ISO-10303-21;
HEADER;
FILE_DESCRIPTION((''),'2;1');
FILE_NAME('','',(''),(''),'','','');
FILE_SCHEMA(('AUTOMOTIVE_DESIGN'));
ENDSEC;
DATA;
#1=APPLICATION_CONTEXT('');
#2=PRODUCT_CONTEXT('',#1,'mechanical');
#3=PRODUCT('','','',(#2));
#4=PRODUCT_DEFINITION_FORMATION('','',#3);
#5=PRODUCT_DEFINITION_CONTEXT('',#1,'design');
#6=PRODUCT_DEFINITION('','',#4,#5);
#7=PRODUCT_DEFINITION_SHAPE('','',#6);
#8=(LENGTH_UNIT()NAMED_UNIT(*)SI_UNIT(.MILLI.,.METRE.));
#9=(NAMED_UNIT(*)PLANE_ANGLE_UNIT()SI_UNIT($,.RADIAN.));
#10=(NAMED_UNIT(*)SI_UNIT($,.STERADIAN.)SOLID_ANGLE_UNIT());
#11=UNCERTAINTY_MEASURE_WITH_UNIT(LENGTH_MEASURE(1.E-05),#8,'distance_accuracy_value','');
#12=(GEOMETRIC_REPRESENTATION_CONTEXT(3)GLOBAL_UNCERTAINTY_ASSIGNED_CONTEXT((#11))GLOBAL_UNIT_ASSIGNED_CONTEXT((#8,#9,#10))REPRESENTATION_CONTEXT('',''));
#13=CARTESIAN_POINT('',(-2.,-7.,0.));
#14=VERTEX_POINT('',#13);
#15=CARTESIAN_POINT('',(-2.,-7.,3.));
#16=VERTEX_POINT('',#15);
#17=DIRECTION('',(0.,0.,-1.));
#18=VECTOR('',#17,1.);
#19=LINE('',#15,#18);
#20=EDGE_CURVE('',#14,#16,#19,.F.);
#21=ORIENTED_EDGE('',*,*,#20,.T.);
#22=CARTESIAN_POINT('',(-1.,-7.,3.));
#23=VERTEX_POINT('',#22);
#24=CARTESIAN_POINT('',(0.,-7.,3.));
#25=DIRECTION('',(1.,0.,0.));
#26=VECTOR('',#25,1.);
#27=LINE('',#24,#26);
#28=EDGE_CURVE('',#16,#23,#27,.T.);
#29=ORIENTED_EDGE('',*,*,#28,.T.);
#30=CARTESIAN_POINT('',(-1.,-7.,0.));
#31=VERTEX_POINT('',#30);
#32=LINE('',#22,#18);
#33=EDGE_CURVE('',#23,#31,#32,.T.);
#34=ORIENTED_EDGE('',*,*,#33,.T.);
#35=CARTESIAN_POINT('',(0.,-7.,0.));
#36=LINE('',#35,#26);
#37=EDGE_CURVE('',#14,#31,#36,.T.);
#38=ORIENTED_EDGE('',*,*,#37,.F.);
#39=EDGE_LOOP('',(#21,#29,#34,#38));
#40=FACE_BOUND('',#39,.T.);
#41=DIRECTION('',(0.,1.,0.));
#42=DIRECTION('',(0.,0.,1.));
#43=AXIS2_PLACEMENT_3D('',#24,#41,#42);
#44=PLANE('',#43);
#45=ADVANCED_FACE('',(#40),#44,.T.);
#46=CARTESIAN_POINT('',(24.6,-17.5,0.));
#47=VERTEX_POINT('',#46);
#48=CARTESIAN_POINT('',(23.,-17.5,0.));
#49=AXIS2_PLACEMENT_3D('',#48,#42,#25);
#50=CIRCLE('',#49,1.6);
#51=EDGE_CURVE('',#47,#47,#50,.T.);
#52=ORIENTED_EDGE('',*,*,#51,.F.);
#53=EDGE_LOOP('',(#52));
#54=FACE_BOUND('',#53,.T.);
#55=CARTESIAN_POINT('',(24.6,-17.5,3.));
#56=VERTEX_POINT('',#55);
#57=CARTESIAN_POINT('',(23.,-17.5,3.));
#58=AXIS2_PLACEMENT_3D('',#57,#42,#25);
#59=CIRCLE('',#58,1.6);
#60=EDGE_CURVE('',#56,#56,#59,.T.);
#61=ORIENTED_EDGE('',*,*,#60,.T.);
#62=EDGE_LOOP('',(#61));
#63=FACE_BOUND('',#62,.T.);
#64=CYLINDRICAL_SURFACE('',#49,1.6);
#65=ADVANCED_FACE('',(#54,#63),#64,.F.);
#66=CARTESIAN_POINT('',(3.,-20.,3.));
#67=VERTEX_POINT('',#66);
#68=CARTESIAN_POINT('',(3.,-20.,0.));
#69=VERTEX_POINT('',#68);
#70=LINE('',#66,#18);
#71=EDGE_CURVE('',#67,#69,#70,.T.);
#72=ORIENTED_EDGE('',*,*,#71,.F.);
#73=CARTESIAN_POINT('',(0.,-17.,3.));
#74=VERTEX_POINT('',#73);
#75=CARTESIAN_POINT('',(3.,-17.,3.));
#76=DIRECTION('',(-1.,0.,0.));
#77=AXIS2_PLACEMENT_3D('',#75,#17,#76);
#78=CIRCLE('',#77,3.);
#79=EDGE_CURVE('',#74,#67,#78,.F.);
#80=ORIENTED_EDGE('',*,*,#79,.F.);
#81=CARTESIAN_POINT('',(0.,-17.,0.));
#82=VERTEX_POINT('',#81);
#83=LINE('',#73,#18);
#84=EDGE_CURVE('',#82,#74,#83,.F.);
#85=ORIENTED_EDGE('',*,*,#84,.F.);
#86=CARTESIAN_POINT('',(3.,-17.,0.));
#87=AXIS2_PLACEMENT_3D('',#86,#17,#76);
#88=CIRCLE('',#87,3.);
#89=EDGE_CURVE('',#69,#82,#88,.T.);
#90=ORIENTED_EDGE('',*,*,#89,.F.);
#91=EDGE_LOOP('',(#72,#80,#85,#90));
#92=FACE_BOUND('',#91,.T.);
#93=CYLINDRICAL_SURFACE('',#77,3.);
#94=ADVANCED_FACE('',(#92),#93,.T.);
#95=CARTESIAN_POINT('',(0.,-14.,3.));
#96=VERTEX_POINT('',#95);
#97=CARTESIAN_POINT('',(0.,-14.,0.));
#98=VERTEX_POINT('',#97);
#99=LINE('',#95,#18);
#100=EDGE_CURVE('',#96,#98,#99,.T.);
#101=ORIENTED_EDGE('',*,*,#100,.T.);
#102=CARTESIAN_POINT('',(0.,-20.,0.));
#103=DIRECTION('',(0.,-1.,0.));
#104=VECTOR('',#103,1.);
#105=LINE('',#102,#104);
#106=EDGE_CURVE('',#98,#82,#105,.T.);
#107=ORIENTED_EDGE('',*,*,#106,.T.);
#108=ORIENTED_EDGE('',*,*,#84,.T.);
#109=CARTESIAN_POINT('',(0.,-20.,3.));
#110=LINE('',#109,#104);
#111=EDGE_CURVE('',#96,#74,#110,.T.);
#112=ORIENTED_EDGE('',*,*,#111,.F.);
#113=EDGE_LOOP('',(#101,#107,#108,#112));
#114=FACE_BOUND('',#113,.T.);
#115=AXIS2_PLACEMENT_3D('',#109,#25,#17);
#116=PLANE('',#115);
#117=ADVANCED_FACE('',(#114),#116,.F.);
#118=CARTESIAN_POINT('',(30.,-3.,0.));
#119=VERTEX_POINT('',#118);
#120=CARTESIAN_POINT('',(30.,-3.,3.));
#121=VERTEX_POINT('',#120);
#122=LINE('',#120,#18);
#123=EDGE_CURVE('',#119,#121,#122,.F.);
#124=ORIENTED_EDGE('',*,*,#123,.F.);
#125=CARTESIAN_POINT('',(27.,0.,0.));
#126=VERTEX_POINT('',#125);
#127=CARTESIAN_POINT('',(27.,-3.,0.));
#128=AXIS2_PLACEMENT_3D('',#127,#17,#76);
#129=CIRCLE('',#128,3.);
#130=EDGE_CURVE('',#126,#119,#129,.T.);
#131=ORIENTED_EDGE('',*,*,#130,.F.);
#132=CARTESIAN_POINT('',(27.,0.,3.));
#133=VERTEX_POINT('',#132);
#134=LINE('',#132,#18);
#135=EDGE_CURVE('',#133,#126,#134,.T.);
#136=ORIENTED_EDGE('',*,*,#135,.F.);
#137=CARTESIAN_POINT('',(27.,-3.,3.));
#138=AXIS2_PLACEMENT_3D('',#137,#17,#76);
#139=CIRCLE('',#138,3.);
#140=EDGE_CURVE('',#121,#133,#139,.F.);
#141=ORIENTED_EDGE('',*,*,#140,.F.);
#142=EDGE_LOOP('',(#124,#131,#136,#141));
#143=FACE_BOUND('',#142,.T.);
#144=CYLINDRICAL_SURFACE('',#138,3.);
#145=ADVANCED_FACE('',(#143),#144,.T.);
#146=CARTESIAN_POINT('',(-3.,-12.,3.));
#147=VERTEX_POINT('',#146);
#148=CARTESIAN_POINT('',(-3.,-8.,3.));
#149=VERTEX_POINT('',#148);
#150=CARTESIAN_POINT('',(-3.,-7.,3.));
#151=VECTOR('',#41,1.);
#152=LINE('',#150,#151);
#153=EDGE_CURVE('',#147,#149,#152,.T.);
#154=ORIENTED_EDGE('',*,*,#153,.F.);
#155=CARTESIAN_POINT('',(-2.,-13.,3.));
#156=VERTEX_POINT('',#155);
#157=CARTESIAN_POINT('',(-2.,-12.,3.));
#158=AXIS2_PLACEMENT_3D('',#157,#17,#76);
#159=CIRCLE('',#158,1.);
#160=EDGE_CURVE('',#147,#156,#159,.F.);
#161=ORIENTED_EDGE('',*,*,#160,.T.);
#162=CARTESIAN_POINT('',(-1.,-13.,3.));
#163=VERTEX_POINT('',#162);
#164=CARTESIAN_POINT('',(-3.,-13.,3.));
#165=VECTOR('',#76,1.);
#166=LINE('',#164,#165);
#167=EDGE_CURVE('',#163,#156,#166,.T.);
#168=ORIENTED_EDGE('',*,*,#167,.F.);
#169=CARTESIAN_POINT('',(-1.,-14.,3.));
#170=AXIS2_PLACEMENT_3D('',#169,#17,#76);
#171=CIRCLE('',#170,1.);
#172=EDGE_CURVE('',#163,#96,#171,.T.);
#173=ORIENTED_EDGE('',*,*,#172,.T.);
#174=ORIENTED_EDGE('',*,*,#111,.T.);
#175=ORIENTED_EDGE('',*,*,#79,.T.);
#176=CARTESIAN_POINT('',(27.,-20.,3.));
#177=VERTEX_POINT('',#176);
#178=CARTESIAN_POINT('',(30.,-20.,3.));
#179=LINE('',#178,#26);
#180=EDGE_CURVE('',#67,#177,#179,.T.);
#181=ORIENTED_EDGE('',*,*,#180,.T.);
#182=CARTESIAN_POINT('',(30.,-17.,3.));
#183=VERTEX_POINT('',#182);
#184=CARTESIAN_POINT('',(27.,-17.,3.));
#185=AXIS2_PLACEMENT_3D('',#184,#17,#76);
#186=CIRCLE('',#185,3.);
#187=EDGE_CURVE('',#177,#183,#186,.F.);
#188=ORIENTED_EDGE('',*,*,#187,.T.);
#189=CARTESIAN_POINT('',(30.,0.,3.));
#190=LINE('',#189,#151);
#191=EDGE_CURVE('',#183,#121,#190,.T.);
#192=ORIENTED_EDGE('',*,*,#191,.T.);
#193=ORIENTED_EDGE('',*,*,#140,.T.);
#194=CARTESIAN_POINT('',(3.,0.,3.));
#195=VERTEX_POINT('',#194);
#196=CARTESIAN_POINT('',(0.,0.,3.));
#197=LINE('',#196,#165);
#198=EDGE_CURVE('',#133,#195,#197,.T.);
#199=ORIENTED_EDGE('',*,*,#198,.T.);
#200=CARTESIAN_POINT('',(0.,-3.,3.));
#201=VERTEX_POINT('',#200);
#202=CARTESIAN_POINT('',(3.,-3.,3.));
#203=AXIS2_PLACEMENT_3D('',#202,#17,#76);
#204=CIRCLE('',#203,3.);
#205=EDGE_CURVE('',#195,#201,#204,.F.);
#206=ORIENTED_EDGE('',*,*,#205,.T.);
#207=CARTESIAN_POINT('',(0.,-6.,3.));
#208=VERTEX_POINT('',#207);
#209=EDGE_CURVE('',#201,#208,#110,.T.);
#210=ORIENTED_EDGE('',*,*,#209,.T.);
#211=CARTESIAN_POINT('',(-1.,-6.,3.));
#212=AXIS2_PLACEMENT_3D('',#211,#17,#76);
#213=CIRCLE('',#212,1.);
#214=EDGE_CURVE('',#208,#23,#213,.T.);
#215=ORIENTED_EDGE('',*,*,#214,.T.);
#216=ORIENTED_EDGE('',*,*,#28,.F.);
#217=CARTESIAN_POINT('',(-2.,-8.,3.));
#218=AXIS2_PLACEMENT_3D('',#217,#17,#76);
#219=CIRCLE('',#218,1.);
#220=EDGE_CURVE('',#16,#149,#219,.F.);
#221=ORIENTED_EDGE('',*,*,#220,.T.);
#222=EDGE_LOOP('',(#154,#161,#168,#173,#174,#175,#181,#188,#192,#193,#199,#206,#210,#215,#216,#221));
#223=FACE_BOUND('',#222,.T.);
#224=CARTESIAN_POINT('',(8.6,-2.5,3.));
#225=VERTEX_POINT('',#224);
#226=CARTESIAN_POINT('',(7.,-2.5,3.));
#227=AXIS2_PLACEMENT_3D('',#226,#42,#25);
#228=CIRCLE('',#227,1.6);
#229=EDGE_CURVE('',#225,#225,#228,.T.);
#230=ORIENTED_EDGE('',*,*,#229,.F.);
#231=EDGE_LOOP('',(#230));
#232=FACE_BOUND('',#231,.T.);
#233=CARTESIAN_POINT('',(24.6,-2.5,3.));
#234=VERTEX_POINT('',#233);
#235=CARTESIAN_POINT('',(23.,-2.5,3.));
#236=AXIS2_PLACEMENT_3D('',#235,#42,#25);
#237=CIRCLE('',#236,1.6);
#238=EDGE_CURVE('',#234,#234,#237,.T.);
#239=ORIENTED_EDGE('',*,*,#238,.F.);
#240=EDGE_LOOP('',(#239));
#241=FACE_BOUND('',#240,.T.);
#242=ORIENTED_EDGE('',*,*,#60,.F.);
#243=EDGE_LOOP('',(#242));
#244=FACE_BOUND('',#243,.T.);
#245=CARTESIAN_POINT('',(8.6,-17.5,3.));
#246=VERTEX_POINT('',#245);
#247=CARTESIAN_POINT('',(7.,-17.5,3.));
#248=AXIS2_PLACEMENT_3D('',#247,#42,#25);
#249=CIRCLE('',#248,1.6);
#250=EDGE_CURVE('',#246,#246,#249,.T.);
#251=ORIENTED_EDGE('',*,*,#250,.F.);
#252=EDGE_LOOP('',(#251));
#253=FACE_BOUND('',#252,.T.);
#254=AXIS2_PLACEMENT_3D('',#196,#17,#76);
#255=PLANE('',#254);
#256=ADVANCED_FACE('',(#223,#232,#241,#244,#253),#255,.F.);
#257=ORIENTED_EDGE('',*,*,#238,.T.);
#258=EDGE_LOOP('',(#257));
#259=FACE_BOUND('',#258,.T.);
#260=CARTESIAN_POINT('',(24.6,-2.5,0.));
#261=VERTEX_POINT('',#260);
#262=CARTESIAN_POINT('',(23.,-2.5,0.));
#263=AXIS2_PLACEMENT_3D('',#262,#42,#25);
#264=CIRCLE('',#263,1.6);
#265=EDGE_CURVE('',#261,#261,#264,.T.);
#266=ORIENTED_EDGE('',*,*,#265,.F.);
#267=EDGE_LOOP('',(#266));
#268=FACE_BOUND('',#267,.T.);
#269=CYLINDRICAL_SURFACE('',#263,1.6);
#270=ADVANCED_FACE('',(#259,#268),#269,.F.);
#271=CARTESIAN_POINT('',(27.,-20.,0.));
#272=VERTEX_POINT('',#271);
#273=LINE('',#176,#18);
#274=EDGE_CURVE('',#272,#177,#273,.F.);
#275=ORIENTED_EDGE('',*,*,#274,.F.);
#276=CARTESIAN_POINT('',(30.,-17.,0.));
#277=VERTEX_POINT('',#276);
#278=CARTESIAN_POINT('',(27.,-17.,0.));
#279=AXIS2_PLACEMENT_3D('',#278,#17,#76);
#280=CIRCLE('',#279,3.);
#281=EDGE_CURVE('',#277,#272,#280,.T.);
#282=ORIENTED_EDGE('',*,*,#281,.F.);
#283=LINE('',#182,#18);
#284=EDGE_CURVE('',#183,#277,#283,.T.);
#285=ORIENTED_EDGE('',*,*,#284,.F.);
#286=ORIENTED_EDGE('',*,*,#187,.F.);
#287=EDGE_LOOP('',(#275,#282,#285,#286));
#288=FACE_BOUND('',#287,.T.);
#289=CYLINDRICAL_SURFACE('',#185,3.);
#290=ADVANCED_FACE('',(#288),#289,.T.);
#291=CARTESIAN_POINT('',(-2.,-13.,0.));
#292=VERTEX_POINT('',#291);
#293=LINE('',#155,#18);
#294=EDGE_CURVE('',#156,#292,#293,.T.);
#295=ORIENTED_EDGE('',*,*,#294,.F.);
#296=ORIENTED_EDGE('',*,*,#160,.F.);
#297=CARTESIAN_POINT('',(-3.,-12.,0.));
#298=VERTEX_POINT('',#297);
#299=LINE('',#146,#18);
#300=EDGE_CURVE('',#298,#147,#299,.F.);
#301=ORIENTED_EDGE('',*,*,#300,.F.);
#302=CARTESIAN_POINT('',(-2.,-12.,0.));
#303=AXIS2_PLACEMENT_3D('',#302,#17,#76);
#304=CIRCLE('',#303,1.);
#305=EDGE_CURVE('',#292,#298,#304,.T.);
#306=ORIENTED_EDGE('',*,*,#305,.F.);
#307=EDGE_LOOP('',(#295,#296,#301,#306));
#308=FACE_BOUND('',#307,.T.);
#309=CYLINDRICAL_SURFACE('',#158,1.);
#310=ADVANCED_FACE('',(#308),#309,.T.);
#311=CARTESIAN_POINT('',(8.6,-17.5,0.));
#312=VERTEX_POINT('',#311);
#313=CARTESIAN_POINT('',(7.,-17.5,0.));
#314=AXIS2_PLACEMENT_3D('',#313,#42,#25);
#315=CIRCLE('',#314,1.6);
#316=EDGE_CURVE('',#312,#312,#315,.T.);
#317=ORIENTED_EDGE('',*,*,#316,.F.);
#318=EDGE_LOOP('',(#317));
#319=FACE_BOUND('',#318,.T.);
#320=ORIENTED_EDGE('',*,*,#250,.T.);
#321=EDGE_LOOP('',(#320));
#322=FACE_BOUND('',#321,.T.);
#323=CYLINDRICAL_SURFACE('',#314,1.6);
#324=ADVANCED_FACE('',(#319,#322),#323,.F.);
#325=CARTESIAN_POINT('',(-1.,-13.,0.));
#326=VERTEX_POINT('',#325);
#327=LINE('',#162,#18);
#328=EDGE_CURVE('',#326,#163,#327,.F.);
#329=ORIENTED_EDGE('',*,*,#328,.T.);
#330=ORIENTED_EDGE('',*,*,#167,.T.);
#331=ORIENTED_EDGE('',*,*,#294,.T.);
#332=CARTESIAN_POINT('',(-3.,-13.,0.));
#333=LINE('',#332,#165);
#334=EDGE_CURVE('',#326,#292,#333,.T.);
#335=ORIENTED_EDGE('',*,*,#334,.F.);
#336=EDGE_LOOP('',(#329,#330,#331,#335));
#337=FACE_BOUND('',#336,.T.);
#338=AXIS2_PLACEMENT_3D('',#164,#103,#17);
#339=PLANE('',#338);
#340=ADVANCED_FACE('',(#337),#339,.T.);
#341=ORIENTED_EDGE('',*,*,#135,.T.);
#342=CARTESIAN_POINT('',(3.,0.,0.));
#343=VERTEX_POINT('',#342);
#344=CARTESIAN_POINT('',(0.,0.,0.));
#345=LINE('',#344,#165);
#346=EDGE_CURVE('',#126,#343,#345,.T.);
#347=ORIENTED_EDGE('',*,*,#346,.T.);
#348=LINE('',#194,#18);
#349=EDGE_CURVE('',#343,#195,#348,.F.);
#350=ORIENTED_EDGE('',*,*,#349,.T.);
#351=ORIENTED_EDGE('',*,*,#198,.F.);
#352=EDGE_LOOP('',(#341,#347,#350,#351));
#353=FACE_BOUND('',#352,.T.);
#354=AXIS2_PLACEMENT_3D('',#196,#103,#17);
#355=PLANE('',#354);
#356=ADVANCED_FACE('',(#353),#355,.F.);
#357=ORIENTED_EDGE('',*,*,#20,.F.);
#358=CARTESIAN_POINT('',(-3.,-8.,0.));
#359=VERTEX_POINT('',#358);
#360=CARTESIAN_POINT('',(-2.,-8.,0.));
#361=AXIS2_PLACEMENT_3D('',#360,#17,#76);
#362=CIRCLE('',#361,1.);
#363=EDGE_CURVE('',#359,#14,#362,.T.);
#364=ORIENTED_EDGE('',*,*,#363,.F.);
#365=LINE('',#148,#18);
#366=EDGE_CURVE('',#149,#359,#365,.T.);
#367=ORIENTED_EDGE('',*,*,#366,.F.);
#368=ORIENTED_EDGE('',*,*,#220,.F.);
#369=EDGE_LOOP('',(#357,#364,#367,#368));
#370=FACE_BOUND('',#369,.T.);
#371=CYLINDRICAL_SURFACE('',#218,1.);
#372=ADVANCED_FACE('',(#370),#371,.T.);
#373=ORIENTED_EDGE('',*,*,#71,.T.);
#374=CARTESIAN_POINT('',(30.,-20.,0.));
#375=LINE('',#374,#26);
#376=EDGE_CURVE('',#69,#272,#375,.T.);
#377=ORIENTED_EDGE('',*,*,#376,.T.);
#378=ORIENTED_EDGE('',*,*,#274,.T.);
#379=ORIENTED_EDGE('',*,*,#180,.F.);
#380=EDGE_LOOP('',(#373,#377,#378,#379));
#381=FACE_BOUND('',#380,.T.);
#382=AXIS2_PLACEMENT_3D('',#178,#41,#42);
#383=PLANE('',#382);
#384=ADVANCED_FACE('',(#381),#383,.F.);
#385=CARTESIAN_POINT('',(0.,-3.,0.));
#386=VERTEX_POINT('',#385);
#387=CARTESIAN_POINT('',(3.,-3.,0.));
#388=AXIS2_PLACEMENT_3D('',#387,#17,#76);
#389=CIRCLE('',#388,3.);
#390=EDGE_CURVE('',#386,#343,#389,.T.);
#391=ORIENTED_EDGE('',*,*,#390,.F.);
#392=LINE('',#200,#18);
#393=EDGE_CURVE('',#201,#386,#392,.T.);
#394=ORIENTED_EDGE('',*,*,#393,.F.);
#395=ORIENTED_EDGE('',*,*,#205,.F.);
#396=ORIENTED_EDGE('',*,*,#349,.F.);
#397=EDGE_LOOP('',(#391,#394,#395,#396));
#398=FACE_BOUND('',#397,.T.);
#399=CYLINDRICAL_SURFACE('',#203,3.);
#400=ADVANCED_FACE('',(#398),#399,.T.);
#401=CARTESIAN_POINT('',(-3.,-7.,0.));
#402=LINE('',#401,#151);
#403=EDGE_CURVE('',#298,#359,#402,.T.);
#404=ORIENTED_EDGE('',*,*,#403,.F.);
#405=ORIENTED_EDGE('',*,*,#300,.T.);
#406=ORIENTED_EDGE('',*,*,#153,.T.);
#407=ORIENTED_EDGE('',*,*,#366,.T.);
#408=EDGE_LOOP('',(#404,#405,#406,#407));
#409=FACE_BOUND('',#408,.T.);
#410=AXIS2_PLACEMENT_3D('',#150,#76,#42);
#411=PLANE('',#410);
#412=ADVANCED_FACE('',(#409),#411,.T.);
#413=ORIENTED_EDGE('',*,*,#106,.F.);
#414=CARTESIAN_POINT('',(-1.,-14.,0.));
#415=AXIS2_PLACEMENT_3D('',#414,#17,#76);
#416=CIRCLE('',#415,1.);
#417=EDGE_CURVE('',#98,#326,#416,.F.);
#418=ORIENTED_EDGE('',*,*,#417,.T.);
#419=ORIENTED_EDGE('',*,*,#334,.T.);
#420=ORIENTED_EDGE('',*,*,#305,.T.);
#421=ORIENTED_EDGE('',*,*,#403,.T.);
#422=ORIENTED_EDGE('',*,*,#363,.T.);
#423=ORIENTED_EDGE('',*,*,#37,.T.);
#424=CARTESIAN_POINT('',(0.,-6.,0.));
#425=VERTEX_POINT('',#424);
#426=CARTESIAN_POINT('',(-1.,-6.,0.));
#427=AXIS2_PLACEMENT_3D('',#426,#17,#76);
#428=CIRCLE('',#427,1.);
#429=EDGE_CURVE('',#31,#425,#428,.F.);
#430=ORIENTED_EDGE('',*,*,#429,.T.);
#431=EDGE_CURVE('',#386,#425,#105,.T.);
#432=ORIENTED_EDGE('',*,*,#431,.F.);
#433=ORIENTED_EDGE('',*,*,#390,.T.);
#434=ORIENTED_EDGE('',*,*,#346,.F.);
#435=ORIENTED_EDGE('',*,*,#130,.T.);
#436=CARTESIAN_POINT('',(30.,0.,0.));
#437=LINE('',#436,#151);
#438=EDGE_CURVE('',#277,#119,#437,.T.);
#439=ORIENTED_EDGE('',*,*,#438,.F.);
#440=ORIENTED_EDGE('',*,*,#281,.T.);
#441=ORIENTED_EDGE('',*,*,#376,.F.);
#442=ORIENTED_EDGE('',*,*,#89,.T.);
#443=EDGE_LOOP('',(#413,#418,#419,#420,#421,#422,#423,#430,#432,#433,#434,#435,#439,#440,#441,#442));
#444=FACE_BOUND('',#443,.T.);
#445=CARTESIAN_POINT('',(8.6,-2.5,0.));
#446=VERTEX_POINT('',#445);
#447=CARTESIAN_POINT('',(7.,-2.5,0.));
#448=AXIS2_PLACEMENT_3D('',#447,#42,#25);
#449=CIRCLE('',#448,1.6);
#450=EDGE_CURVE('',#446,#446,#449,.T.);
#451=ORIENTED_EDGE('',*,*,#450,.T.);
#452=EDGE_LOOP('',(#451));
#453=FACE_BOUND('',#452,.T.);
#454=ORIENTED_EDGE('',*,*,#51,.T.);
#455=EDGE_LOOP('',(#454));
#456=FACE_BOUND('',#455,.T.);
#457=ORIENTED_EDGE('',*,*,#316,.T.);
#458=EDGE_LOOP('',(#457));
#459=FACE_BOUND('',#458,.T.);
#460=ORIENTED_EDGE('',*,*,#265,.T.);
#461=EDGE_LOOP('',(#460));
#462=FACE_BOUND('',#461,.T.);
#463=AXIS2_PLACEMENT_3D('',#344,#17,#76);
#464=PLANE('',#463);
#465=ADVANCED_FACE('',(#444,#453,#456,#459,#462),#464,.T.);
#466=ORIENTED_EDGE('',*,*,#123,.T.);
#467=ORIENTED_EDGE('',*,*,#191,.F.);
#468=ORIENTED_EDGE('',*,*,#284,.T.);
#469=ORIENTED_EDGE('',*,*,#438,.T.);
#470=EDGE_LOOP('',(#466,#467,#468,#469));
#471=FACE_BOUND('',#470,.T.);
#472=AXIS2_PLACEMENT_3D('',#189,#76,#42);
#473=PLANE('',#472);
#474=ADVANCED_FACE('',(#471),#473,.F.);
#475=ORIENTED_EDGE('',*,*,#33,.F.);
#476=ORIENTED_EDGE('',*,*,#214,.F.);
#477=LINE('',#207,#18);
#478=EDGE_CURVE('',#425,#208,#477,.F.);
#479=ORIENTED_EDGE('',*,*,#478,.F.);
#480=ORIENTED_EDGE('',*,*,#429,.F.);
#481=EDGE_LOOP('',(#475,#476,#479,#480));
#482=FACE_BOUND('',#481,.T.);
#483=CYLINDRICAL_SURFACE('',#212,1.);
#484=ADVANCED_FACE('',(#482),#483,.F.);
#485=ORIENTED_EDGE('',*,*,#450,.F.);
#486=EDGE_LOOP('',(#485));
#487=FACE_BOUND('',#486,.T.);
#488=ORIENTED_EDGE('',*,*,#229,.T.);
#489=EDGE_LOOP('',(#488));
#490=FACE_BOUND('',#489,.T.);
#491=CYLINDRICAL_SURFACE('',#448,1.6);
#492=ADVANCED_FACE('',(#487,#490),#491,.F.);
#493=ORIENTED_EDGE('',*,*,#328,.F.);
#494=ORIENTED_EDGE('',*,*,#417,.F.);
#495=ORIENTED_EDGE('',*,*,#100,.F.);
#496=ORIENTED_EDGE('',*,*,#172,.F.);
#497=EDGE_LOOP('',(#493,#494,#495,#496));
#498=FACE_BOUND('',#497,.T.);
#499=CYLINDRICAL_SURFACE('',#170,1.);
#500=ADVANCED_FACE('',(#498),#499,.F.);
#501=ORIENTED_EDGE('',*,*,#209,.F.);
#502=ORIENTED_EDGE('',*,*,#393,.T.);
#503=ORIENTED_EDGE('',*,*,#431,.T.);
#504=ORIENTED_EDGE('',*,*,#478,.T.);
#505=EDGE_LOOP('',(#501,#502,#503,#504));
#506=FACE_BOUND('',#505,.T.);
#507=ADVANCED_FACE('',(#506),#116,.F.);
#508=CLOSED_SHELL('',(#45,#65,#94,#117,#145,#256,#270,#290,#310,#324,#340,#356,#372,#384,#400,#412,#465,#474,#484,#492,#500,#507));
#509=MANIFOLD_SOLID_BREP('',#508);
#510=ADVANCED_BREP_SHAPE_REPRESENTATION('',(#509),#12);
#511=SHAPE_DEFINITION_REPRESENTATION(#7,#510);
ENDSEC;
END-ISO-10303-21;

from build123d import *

# Parameters (mm, degrees)
SKETCH_2_W          = 30
SKETCH_2_H          = 20
EXTRUDE_1_DEPTH     = 3
FILLET_1_R          = 3
SKETCH_3_R          = 1.6
CUT_EXTRUDE_1_DEPTH = 4
EXTRUDE_2_DEPTH     = 3
FILLET_2_R          = 1


with BuildPart() as part:
    # 草图2 → 凸台-拉伸1 (new body)
    with BuildSketch(Plane.XY):
        with Locations((15, -10)):
            Rectangle(SKETCH_2_W, SKETCH_2_H)
    extrude(amount=EXTRUDE_1_DEPTH)

    # 圆角1
    fillet_1_edges = [part.edges().sort_by_distance(p)[0] for p in [
        (0, 0, 1.5),
        (30, 0, 1.5),
        (30, -20, 1.5),
        (0, -20, 1.5),
    ]]
    fillet(fillet_1_edges, radius=FILLET_1_R)

    # 草图3 → 切除-拉伸1 (cut, through all)
    with BuildSketch(Plane.XY.offset(3)):
        with Locations((23, -2.5)):
            Circle(SKETCH_3_R)
        with Locations((23, -17.5)):
            Circle(SKETCH_3_R)
        with Locations((7, -17.5)):
            Circle(SKETCH_3_R)
        with Locations((7, -2.5)):
            Circle(SKETCH_3_R)
    extrude(amount=-CUT_EXTRUDE_1_DEPTH, mode=Mode.SUBTRACT)

    # 草图4 → 凸台-拉伸2 (add)
    with BuildSketch(Plane(origin=(0, 0, 0), x_dir=(-1, 0, 0), z_dir=(0, 0, -1))):
        Polygon((0, -10), (0, -13), (3, -13), (3, -7), (0, -7), align=None)
    extrude(amount=-EXTRUDE_2_DEPTH)

    # 圆角2
    fillet_2_edges = [part.edges().sort_by_distance(p)[0] for p in [
        (0, -7, 1.5),
        (-3, -7, 1.5),
        (-3, -13, 1.5),
        (0, -13, 1.5),
    ]]
    fillet(fillet_2_edges, radius=FILLET_2_R)


solid = part.part
